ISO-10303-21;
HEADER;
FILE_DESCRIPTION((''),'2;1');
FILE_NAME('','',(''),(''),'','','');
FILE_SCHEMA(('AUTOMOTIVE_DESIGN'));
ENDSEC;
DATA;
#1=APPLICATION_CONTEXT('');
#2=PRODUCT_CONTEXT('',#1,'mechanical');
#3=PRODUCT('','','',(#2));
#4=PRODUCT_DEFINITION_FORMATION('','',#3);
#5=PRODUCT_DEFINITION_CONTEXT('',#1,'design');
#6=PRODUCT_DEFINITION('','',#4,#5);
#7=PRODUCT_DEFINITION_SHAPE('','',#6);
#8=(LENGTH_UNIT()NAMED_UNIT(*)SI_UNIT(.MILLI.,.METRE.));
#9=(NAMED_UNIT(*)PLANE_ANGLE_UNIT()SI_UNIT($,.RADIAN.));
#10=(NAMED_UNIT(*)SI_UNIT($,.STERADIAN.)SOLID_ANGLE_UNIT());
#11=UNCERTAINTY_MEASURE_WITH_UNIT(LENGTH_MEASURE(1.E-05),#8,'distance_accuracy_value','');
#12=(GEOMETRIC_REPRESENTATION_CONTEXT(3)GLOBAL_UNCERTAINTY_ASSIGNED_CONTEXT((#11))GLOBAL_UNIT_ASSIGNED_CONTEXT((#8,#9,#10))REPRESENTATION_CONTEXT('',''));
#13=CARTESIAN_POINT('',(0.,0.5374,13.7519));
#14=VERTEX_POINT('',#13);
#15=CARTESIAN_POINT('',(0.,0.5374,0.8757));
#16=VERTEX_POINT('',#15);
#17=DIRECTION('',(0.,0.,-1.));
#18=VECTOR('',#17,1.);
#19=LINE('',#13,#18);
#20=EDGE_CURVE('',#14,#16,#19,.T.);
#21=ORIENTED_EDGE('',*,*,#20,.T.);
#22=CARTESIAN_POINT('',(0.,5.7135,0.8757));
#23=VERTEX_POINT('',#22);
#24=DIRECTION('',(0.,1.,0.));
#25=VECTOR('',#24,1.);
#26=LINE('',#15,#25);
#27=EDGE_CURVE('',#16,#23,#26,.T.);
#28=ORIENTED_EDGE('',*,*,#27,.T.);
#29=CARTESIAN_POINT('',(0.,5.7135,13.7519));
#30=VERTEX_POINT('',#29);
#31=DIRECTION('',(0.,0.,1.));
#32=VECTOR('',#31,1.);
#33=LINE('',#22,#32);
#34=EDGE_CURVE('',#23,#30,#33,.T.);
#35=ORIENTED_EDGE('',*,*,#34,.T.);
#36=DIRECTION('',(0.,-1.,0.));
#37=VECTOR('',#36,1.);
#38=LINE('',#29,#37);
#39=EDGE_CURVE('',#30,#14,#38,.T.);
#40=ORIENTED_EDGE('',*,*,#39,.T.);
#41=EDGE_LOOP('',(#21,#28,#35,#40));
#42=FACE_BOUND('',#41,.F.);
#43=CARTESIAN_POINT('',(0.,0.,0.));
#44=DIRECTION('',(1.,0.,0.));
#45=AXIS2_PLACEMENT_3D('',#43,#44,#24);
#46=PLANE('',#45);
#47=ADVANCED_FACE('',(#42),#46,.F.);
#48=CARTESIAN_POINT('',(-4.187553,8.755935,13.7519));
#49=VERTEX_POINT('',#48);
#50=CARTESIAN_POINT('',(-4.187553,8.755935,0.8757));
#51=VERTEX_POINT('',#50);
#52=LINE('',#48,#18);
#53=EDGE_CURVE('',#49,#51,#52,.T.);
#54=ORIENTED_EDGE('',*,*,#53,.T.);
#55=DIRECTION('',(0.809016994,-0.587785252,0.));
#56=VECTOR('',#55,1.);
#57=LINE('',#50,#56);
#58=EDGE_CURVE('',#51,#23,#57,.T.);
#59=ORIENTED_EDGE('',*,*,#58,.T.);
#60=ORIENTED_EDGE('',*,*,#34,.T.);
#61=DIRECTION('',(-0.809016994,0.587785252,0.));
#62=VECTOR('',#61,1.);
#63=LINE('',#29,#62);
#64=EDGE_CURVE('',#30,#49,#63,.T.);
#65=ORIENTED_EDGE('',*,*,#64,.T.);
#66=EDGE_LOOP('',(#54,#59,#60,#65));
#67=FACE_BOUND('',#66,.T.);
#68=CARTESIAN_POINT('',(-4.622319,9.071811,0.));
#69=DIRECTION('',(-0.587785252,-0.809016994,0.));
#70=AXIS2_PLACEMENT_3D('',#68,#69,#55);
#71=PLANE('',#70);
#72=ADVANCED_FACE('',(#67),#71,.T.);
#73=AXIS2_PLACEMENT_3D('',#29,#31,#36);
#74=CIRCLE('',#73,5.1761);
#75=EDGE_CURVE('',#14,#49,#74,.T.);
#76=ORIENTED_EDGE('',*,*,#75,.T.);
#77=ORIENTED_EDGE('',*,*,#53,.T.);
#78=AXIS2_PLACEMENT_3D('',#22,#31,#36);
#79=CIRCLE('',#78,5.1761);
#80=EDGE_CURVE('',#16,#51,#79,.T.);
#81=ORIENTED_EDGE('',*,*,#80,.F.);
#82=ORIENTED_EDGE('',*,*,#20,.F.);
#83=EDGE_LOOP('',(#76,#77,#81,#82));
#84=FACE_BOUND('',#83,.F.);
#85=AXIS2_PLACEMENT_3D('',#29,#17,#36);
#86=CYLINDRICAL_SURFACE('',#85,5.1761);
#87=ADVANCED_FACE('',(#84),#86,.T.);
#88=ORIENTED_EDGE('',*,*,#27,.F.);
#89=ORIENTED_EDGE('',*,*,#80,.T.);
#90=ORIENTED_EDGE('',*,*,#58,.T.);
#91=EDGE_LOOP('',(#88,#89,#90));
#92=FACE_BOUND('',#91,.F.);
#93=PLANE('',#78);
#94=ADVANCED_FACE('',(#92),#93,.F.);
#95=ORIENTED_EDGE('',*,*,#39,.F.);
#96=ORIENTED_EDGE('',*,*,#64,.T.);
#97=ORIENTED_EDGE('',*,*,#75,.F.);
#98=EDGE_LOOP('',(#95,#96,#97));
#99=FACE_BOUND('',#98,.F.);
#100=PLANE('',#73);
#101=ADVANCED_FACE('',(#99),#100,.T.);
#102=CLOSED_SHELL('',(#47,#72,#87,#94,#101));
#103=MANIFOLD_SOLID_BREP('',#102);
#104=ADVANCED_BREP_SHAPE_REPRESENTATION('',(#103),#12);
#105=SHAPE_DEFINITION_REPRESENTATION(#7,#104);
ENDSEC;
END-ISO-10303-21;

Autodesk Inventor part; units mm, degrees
ref_plane "YZ Plane" through (0, 0, 0) normal (1, 0, 0) x (0, 1, 0)
ref_plane "XZ Plane" through (0, 0, 0) normal (0, 1, 0) x (-1, 0, 0)
ref_plane "XY Plane" through (0, 0, 0) normal (0, 0, 1) x (1, 0, 0)
sketch "Sketch1" plane through (0, 0, 0) normal (1, 0, 0) x (0, 1, 0)
  line L0 (5.7135, 13.7519) -> (0.5374, 13.7519)
  line L1 (0.5374, 13.7519) -> (0.5374, 0.8757)
  line L2 (0.5374, 0.8757) -> (5.7135, 0.8757)
  line L3 (5.7135, 0.8757) -> (5.7135, 13.7519)
  point P0 (0, 0)
revolve "Revolution1" add sketch "Sketch1" angle 234 about axis through (0, 5.7135, 0.8757) along (0, 0, 1)
